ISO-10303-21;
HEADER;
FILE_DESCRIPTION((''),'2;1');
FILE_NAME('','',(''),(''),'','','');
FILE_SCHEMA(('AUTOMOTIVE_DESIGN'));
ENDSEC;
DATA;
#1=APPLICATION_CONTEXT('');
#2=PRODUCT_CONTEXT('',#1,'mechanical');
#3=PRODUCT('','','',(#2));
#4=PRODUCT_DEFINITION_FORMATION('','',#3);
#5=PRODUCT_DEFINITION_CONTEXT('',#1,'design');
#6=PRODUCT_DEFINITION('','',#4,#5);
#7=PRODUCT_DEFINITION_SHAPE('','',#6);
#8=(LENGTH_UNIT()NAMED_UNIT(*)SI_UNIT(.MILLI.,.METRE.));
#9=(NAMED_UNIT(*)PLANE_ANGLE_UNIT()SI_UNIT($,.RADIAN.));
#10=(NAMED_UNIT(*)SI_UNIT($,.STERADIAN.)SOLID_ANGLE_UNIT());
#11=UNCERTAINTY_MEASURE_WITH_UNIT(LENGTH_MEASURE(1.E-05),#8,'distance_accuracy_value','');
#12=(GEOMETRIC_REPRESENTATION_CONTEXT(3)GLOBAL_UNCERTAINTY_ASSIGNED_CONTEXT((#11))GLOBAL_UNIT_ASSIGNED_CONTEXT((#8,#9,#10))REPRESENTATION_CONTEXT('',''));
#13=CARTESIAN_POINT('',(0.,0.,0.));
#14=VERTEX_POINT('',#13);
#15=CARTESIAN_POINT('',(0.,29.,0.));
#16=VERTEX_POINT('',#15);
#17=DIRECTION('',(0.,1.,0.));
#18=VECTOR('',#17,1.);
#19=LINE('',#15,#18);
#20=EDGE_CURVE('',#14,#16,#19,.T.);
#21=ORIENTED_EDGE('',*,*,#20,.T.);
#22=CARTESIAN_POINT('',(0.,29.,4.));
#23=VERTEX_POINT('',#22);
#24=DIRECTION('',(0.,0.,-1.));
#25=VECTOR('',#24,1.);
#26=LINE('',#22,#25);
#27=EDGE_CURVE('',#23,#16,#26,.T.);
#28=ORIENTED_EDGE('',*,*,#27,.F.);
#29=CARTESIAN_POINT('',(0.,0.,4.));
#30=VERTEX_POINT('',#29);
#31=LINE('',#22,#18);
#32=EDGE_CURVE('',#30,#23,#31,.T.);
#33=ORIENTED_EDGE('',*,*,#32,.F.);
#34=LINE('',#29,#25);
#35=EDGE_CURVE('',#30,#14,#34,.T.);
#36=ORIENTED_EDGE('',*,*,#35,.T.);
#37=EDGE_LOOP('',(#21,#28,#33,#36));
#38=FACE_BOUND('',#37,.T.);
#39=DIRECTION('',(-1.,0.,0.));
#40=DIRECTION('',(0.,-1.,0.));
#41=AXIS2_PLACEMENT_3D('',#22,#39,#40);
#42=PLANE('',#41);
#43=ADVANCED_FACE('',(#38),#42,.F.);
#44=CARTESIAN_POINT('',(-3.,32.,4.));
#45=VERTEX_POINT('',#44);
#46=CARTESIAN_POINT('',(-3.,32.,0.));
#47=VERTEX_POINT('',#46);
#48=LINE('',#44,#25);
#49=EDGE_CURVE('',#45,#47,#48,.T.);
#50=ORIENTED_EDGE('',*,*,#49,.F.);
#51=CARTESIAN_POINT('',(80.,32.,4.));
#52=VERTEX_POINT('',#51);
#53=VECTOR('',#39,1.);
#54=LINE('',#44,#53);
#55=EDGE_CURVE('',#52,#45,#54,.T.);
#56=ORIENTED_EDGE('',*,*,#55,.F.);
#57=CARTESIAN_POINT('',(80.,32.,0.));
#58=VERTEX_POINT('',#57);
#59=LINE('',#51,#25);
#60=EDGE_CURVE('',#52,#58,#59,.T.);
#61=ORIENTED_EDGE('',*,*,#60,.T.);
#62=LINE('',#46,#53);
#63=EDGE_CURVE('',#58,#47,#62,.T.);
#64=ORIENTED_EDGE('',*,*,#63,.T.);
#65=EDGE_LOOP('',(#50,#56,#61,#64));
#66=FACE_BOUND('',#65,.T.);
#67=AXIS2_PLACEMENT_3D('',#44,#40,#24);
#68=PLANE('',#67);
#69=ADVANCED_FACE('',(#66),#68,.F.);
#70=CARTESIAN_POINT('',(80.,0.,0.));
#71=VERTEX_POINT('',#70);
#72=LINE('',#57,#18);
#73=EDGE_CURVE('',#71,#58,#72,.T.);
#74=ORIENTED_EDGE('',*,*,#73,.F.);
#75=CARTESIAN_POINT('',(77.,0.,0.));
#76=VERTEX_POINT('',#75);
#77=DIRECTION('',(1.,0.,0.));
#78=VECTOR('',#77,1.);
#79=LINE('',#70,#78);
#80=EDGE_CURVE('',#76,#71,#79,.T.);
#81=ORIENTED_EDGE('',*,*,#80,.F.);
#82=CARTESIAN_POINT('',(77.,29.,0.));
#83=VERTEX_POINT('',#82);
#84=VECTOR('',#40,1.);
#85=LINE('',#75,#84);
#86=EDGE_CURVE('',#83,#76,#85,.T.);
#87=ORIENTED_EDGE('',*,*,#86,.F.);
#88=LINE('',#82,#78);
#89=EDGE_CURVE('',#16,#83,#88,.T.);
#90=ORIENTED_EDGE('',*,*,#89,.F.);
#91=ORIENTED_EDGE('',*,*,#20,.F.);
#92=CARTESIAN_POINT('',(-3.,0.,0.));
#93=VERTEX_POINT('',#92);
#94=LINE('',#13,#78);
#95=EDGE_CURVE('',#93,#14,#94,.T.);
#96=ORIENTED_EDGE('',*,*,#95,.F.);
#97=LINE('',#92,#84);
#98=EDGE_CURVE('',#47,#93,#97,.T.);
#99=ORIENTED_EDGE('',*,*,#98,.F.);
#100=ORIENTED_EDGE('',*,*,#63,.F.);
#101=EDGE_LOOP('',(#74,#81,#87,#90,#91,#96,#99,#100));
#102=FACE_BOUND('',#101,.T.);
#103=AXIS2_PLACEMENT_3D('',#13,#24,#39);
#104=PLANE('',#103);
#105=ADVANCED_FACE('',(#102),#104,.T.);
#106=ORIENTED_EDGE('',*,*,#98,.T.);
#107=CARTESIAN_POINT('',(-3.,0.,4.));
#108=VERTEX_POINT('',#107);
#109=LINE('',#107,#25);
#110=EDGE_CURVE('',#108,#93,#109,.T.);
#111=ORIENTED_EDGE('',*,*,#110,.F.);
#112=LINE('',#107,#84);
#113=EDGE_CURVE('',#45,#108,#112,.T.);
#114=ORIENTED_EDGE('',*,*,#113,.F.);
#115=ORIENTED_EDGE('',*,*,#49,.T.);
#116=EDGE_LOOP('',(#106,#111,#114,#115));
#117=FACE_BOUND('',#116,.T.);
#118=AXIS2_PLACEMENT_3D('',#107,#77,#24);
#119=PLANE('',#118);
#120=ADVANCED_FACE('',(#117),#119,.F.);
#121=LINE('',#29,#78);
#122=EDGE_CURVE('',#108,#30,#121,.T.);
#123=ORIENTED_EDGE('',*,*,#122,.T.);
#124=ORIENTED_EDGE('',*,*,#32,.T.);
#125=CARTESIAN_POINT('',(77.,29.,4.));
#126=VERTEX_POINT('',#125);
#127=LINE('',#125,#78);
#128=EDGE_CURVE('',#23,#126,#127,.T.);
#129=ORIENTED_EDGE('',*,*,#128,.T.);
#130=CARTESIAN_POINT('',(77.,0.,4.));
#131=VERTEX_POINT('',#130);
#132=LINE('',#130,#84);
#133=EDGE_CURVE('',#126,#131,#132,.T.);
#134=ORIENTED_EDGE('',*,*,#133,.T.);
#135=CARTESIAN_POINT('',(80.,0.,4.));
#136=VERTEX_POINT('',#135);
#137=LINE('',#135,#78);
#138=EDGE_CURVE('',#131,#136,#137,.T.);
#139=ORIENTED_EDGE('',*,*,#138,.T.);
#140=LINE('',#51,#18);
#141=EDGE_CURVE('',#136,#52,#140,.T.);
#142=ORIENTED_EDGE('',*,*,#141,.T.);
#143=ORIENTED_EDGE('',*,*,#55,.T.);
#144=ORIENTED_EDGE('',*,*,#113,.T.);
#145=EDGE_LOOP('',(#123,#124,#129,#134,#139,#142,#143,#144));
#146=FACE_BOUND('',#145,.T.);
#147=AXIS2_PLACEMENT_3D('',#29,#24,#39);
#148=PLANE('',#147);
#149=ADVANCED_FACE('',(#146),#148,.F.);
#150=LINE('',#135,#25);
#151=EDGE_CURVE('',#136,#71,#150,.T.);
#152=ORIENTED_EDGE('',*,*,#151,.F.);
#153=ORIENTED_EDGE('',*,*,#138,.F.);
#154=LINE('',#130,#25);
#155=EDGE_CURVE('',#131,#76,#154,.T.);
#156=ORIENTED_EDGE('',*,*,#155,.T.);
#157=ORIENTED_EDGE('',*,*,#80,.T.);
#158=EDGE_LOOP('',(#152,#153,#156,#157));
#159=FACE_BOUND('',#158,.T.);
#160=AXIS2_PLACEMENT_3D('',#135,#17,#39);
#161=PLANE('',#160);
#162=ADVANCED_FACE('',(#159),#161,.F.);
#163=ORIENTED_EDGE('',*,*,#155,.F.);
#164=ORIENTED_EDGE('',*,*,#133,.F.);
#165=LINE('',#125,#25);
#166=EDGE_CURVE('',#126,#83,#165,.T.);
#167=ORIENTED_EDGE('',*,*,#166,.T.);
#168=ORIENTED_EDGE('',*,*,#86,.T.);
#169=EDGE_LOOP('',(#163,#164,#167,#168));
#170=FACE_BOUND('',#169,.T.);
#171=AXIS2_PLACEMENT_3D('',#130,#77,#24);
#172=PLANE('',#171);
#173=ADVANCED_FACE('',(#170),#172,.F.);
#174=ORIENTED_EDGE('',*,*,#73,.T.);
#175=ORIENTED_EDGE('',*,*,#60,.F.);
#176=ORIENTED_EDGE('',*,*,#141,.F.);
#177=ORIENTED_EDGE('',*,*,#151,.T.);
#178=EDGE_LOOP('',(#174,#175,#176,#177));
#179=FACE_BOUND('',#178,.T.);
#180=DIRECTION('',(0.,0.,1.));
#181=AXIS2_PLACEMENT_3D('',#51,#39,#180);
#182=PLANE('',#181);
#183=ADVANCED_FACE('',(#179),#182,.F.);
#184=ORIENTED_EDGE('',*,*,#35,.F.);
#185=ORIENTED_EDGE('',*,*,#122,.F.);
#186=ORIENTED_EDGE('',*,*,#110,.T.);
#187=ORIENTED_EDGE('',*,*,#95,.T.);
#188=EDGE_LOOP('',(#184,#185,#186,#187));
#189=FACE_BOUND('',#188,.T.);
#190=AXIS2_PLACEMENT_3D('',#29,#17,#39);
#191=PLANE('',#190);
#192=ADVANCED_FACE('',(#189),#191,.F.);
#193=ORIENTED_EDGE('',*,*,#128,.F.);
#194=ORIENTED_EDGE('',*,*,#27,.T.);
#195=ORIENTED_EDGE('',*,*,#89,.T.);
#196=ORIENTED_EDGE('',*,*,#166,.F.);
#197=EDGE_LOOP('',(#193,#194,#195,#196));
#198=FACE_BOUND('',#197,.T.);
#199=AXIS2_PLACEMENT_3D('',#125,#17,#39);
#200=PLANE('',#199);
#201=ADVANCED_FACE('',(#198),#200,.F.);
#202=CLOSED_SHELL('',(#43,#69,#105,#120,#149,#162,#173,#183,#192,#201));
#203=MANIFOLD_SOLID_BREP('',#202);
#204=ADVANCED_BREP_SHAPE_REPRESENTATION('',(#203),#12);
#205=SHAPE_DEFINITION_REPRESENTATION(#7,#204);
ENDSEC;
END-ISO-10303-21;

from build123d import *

# Parameters (mm, degrees)
BOSS_EXTRUDE1_DEPTH = 4


with BuildPart() as part:
    # Sketch1 → Boss-Extrude1 (new body)
    with BuildSketch(Plane.XY):
        Polygon((0, 0), (-3, 0), (-3, 32), (80, 32), (80, 0), (77, 0), (77, 29), (0, 29), align=None)
    extrude(amount=BOSS_EXTRUDE1_DEPTH)


solid = part.part
